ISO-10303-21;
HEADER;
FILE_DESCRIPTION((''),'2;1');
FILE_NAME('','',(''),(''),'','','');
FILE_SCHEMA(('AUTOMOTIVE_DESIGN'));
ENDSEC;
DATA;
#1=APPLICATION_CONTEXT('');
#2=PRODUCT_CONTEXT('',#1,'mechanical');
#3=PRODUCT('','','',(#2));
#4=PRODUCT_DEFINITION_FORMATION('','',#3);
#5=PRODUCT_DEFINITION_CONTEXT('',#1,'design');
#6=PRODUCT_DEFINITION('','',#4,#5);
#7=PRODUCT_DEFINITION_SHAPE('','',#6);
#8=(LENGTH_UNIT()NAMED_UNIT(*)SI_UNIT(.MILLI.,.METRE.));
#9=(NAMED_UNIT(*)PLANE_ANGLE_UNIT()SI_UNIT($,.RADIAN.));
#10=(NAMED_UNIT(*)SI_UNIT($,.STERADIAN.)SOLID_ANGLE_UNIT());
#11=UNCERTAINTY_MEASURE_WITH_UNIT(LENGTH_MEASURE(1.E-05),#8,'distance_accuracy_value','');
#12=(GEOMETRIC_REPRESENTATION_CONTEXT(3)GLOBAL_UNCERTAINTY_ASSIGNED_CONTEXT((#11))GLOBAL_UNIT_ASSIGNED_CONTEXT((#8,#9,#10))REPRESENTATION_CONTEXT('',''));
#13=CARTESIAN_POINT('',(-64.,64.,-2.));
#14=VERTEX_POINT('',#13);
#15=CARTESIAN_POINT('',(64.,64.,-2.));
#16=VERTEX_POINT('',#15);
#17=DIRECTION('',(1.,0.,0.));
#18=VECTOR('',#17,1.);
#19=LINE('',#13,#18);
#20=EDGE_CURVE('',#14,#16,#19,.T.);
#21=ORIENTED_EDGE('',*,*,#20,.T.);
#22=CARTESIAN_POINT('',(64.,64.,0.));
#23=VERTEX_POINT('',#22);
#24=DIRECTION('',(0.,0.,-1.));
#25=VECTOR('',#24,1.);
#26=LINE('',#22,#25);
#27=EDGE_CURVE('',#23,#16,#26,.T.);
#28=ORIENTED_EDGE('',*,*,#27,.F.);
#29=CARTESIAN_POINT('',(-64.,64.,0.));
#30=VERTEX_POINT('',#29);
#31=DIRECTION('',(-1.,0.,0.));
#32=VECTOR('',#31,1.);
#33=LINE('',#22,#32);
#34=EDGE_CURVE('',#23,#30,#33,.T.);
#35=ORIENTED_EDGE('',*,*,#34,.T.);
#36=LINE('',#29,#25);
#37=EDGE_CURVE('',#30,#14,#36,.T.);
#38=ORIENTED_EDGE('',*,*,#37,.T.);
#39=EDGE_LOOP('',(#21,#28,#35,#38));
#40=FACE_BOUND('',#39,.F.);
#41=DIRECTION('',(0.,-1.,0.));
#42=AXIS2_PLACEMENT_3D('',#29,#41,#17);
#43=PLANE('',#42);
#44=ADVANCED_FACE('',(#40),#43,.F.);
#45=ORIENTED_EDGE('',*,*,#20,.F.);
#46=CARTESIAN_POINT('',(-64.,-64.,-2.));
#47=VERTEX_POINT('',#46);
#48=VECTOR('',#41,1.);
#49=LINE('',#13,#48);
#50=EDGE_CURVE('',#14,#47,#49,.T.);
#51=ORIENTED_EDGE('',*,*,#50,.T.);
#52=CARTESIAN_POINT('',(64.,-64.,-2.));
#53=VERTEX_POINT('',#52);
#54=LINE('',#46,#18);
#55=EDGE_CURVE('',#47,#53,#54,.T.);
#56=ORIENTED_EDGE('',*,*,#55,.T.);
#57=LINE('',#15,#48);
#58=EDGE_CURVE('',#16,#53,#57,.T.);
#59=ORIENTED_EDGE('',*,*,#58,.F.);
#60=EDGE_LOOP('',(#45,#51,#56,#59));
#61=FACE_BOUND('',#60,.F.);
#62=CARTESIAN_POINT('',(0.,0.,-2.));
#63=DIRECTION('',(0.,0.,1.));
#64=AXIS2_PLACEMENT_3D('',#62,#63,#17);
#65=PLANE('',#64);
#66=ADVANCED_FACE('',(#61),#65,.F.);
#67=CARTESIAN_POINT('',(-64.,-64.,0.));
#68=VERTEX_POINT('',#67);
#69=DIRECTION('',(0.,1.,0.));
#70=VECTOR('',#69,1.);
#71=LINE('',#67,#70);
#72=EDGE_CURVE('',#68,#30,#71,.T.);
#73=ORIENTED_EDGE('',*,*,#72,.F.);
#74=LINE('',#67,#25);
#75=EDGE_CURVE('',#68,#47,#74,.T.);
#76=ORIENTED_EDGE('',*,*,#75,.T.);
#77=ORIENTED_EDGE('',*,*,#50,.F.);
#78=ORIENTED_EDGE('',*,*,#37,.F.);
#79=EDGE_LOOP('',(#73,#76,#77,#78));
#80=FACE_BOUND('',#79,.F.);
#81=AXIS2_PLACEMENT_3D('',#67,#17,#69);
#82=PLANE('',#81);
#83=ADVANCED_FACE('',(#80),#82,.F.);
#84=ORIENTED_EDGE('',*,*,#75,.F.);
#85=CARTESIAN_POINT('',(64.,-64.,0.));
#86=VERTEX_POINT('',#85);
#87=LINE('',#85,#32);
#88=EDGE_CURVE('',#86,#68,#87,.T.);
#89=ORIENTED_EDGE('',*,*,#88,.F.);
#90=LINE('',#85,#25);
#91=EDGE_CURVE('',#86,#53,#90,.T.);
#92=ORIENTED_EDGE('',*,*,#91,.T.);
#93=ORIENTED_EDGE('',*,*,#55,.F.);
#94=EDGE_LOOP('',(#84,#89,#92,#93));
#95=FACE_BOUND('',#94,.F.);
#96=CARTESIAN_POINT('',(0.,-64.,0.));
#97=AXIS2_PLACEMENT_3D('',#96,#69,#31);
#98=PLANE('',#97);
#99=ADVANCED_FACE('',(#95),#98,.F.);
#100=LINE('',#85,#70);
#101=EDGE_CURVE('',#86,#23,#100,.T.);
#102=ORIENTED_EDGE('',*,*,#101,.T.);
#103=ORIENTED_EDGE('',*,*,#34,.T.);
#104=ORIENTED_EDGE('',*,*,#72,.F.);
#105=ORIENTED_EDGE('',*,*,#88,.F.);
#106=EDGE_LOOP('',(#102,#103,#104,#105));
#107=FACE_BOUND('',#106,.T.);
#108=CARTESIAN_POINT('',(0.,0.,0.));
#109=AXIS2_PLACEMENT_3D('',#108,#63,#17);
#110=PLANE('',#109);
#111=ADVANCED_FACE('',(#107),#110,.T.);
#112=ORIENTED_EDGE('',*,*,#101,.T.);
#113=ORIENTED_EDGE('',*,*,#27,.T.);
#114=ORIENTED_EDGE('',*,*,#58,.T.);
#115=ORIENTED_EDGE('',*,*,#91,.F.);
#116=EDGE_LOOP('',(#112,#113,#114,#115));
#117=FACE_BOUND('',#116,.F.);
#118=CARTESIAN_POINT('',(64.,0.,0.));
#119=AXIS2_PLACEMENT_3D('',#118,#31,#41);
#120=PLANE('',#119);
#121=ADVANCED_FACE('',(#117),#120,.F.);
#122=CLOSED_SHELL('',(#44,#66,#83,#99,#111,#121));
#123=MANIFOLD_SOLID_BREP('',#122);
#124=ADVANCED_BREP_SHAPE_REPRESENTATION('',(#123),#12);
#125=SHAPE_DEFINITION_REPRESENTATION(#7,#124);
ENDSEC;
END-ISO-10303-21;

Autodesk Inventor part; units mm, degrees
ref_plane "YZ Plane" through (0, 0, 0) normal (1, 0, 0) x (0, 1, 0)
ref_plane "XZ Plane" through (0, 0, 0) normal (0, 1, 0) x (-1, 0, 0)
ref_plane "XY Plane" through (0, 0, 0) normal (0, 0, 1) x (1, 0, 0)
sketch "스케치1" plane through (0, 0, 0) normal (0, 0, 1) x (1, 0, 0)
  line L0 (0, -89.6) -> (0, 89.6) projected
  line L1 (-89.6, 0) -> (89.6, 0) projected
  line L2 (-64, 64) -> (64, 64)
  line L3 (64, 64) -> (64, -64)
  line L4 (64, -64) -> (-64, -64)
  line L5 (-64, -64) -> (-64, 64)
  line L6 (-64, 64) -> (64, 64) construction
  line L7 (64, 64) -> (64, -64) construction
  line L8 (64, -64) -> (-64, -64) construction
  line L9 (-64, -64) -> (-64, 64) construction
  point P0 (0, 0)
  dimension "d33" = 128
  dimension "d34" = 128
  dimension "d35" = 128
  dimension "d44" = 64
  dimension "d45" = 64
extrude "돌출1" add sketch "스케치1" against normal blind 2
properties part number "비장애인" material "장애인"
